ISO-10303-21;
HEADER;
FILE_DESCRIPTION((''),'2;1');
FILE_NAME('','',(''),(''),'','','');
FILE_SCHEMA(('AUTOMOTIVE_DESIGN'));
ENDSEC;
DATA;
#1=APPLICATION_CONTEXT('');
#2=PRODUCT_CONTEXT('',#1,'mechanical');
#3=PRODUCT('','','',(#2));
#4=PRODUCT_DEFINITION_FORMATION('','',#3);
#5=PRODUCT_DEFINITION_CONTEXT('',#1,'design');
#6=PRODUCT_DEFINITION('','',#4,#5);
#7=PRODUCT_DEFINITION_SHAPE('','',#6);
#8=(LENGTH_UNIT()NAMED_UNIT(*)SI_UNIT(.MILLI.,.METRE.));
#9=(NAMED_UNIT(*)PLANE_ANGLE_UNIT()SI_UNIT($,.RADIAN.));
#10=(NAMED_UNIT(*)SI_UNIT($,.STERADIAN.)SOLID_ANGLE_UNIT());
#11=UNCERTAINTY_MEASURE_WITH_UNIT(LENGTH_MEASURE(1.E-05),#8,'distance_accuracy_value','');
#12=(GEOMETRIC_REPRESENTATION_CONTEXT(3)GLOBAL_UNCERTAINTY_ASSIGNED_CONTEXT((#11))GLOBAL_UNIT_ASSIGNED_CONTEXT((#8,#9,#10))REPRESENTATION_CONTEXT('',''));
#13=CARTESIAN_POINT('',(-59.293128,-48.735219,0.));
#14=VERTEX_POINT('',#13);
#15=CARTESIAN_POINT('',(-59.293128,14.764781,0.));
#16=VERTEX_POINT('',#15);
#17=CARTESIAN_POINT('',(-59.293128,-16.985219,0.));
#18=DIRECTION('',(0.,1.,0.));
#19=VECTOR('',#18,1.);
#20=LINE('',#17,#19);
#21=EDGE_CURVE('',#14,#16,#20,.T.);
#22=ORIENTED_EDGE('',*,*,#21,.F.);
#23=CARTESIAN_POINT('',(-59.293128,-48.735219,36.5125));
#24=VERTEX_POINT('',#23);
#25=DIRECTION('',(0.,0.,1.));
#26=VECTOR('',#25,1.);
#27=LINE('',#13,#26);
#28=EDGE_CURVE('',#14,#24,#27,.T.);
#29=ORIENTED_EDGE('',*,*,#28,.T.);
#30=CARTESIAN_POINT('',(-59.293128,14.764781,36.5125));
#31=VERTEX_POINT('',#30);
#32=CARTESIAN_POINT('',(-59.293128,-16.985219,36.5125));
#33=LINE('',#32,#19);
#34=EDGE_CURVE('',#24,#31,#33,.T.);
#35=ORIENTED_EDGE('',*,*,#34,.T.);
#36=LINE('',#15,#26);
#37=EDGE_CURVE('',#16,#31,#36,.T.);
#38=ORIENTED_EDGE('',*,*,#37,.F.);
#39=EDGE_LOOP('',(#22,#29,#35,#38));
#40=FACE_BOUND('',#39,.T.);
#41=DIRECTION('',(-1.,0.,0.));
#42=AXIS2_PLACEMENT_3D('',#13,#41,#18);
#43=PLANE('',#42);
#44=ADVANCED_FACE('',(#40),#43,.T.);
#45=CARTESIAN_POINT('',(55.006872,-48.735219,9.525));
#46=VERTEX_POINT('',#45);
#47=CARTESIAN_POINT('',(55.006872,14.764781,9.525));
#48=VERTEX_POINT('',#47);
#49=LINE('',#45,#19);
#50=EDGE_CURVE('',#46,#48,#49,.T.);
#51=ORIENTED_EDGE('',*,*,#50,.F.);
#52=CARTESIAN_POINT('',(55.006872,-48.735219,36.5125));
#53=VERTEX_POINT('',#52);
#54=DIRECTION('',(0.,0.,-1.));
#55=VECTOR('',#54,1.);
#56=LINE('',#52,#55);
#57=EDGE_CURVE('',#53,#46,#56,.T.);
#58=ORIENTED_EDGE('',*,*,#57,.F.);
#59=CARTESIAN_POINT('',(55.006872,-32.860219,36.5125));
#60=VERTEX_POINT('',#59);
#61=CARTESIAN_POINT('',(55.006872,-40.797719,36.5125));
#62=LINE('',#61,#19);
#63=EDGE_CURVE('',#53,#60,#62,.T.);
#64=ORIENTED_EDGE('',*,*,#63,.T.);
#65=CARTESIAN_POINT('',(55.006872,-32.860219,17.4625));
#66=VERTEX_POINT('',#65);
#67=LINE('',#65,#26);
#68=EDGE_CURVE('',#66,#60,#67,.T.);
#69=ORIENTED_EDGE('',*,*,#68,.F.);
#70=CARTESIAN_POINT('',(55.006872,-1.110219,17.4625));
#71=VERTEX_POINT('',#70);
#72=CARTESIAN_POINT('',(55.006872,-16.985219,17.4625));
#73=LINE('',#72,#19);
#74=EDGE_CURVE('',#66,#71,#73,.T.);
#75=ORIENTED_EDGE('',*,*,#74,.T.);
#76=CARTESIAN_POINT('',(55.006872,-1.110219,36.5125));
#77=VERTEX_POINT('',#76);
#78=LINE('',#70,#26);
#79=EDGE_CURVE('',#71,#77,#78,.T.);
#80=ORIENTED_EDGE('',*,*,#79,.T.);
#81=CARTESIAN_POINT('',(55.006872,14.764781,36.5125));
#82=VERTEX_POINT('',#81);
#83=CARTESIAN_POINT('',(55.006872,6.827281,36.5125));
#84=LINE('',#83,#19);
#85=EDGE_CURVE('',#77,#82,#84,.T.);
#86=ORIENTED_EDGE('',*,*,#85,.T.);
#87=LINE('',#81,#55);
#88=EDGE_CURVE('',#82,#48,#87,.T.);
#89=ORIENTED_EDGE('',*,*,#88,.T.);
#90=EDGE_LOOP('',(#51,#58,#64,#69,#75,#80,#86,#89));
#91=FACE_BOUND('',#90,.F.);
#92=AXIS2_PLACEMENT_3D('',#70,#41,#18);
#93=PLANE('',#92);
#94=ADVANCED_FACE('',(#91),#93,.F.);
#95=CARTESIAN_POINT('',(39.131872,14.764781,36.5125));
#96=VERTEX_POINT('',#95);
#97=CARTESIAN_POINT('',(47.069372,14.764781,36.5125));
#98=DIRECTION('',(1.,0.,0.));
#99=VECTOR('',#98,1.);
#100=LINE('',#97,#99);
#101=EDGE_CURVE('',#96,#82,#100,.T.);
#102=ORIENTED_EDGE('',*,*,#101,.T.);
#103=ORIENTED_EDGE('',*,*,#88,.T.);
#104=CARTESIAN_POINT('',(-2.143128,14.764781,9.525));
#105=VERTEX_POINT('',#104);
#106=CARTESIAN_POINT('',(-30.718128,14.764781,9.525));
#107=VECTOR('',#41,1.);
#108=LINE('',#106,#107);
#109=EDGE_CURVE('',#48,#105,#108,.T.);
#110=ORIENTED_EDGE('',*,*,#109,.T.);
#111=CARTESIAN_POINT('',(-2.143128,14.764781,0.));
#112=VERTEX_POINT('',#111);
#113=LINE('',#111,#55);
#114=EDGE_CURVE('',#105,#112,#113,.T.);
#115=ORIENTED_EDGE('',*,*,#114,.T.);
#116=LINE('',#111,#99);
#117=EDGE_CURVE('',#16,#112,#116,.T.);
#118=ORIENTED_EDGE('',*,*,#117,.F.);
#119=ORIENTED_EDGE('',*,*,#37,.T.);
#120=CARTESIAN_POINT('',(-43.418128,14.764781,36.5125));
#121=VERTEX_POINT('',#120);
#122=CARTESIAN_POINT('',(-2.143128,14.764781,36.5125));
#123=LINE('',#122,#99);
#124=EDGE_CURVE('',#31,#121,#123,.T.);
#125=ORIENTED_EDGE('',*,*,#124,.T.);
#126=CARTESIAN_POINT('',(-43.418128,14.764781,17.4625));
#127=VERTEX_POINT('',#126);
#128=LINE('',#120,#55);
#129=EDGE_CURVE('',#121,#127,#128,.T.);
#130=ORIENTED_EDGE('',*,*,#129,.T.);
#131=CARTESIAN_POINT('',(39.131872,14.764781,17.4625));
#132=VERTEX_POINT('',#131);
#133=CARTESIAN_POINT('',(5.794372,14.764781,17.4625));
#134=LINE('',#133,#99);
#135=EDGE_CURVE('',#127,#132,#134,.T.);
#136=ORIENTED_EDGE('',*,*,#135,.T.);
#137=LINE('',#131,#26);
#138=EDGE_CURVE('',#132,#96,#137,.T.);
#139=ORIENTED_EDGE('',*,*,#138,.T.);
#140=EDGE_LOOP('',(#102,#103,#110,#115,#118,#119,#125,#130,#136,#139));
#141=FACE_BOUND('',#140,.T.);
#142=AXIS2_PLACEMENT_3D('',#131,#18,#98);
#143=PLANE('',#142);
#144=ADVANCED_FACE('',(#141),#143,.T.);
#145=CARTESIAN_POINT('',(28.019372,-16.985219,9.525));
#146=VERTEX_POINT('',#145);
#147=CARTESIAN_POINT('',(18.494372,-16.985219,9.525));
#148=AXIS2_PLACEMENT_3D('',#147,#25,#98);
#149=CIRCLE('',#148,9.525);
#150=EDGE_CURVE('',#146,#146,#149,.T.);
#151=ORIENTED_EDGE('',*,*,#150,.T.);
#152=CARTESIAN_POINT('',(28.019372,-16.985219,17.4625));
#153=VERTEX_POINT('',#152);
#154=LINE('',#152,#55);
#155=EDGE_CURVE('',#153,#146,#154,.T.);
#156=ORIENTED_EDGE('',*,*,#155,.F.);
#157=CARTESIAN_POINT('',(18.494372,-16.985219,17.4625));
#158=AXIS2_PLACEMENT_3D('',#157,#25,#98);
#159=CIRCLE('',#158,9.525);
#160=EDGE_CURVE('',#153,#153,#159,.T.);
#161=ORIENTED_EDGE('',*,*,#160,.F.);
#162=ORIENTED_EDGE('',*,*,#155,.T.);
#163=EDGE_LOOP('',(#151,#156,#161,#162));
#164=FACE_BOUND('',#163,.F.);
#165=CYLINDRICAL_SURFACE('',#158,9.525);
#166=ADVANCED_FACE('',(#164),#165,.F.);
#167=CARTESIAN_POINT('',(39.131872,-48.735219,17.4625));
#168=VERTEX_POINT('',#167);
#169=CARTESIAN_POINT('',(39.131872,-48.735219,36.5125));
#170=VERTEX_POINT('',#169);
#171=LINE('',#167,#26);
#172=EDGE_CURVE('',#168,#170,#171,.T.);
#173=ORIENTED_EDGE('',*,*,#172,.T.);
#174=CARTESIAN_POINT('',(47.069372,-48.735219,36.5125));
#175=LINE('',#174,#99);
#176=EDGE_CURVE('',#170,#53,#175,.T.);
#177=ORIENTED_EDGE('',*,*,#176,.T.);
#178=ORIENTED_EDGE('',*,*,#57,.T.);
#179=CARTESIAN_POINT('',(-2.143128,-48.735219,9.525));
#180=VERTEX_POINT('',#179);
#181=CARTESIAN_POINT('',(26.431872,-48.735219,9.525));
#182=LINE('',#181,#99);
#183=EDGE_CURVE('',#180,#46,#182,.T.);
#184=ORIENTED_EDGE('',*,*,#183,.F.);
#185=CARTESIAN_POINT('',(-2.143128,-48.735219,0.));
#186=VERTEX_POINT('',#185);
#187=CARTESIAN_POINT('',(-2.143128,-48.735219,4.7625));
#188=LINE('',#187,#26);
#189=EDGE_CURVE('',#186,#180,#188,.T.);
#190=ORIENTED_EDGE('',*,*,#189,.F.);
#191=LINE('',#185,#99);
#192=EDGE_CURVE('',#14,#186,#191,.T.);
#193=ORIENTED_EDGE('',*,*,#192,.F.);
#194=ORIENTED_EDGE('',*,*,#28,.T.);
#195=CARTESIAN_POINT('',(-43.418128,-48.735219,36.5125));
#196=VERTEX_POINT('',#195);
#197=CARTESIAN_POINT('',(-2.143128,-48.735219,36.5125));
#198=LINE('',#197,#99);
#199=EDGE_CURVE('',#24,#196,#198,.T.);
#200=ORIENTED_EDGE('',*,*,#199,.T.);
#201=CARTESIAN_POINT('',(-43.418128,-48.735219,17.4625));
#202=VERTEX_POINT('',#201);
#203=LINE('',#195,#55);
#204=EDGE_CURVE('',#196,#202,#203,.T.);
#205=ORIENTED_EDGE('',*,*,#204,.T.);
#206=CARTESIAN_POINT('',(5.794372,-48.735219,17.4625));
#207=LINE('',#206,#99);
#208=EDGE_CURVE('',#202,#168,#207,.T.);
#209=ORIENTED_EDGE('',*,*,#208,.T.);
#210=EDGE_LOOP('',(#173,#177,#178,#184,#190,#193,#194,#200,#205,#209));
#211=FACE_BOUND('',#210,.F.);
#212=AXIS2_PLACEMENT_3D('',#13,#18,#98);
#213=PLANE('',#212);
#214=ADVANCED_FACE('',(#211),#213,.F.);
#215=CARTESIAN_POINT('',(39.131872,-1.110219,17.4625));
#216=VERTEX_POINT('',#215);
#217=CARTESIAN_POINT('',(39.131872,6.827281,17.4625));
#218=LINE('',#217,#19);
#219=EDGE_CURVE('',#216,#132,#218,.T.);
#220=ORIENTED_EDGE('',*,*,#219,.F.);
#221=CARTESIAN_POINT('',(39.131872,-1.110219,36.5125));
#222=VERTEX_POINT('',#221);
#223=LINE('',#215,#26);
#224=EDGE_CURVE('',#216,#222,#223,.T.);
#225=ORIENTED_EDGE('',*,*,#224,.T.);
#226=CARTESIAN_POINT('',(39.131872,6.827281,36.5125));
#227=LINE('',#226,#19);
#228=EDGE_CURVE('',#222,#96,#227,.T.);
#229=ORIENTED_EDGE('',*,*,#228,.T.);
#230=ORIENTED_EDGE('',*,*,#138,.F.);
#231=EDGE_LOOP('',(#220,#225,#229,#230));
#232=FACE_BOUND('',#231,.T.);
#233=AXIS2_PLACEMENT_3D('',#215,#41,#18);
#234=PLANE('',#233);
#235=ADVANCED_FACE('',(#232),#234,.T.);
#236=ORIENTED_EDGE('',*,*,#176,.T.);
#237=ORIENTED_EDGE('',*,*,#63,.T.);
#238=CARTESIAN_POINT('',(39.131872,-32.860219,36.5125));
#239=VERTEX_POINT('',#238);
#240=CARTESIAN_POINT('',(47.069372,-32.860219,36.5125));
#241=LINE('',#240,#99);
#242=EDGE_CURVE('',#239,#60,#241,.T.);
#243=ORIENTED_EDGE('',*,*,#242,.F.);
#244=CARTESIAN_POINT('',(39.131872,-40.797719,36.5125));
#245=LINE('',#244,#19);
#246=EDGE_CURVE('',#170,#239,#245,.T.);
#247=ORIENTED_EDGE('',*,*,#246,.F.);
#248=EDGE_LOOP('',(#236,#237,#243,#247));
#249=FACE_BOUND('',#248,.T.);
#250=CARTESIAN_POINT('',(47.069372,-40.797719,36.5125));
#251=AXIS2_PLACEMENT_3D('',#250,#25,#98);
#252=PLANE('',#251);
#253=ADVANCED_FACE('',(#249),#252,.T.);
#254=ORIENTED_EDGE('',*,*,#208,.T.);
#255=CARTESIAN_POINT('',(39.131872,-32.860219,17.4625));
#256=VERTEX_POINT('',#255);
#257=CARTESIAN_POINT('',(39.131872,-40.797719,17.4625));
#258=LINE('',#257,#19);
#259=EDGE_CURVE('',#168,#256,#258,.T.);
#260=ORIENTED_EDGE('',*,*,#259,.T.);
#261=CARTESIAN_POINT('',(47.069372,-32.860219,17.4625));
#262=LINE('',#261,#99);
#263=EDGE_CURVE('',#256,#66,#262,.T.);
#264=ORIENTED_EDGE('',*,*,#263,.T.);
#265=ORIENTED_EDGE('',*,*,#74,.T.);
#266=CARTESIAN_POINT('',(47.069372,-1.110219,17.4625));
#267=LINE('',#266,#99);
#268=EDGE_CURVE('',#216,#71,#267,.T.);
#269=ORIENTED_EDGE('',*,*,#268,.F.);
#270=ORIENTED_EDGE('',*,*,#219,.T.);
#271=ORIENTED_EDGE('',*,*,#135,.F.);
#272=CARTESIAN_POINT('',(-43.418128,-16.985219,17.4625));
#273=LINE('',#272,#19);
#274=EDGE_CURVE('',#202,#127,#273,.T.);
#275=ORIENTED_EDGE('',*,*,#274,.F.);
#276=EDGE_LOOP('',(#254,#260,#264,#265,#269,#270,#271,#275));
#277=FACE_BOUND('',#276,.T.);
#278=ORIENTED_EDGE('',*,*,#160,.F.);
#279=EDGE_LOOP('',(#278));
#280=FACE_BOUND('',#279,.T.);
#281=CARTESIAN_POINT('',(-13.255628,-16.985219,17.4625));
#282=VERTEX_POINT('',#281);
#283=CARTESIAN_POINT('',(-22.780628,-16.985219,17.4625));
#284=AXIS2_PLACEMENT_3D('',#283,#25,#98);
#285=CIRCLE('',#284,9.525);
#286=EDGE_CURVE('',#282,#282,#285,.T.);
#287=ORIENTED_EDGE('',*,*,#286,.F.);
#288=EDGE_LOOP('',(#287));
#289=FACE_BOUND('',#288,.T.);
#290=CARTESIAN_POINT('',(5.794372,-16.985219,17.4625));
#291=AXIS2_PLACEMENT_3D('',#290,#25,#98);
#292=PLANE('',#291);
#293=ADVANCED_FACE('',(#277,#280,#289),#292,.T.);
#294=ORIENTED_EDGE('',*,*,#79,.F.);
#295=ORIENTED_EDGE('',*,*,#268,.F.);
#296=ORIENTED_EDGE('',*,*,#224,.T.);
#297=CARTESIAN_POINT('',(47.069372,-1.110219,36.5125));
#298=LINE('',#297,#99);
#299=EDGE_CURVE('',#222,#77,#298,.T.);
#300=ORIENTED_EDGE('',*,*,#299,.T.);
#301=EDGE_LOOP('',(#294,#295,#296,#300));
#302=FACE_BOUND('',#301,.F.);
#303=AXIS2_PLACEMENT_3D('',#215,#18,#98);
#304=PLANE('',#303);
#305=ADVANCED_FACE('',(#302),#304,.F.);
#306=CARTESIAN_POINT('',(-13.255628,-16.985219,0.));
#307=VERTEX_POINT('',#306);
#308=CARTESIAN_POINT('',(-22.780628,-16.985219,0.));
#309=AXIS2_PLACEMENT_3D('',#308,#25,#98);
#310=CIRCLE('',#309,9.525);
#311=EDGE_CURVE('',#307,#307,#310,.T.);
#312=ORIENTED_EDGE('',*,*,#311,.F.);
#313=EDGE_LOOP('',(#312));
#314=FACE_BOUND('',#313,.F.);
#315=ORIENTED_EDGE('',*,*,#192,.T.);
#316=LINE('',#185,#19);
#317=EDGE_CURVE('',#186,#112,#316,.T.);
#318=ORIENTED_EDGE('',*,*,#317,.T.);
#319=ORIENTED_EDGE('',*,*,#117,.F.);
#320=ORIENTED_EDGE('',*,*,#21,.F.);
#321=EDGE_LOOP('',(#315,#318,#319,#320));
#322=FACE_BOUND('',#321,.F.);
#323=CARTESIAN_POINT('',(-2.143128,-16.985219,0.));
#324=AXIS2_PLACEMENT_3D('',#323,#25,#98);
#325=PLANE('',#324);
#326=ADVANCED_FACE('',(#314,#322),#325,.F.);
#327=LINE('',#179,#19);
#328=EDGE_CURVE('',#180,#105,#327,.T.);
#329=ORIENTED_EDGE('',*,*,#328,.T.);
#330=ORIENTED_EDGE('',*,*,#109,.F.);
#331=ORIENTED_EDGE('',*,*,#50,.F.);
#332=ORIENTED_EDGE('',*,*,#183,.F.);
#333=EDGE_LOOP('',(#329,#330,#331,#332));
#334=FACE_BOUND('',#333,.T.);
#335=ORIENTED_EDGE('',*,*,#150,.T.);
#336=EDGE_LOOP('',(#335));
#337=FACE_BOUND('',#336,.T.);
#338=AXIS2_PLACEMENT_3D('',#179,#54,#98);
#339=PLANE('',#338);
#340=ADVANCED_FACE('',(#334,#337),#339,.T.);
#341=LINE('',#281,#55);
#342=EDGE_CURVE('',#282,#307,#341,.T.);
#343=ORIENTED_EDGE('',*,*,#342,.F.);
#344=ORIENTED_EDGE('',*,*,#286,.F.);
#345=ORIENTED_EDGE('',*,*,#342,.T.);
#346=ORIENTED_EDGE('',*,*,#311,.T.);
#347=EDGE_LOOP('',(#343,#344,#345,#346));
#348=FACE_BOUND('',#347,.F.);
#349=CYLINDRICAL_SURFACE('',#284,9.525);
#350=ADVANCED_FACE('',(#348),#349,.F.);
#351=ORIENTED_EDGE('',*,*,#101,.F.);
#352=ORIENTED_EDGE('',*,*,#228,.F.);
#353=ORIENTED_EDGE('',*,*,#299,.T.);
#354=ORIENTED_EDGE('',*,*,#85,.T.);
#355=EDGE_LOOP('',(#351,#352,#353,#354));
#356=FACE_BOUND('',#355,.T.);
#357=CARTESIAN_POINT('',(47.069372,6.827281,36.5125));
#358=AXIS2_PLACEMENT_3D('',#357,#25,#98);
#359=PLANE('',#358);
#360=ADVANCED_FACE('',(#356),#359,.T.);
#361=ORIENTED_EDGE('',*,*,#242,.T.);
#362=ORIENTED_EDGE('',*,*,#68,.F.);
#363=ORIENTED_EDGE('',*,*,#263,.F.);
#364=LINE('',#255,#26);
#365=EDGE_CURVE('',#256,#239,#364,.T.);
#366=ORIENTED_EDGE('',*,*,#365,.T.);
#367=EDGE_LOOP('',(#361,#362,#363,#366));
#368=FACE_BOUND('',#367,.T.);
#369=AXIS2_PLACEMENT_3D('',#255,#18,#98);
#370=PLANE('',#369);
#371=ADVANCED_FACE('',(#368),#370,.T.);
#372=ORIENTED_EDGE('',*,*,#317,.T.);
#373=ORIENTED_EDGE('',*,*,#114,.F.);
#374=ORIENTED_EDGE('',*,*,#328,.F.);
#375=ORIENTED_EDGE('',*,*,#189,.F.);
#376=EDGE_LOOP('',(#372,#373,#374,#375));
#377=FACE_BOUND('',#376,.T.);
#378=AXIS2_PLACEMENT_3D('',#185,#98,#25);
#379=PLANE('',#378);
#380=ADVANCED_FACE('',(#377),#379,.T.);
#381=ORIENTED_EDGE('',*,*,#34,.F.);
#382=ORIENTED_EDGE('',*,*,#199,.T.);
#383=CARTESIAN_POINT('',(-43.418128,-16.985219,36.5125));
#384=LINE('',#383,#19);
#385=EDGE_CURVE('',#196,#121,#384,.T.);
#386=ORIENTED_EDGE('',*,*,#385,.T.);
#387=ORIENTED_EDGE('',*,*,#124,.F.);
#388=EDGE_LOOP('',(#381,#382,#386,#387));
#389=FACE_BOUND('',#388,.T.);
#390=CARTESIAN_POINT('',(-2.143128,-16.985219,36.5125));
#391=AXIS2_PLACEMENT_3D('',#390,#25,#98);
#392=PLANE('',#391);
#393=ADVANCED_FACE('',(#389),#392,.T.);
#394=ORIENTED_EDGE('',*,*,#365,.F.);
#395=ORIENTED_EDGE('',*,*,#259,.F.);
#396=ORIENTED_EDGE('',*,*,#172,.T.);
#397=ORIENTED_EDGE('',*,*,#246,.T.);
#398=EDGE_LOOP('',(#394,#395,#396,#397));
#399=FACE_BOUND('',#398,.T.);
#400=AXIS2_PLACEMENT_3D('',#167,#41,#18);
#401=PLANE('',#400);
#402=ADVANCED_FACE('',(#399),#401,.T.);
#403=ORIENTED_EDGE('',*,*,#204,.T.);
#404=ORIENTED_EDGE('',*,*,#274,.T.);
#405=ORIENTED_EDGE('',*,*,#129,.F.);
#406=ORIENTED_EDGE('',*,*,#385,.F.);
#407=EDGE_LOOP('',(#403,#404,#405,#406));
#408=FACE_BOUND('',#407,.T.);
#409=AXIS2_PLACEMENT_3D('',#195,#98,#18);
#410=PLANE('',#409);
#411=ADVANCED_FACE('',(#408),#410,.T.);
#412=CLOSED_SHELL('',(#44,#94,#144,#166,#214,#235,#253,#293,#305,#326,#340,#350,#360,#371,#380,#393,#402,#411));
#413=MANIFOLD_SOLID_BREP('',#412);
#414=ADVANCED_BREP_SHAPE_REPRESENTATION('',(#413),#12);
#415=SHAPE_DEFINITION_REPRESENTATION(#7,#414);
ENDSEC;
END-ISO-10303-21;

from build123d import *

# Parameters (mm, degrees)
F0_W     = 114.3
F0_H     = 63.5
F1_DEPTH = 36.5125
F2_W     = 57.15
F2_H     = 9.525
F3_DEPTH = 63.501
F4_W     = 98.425
F4_H     = 63.5
F5_DEPTH = 19.05
F6_W     = 15.875
F6_H     = 15.875
F7_DEPTH = 19.05
F8_R     = 9.525
F9_DEPTH = 17.4635


with BuildPart() as f1:
    # F0 (on Top) → F1 (new body)
    with BuildSketch(Plane.XY):
        with Locations((-2.143128, -16.985219)):
            Rectangle(F0_W, F0_H)
    extrude(amount=F1_DEPTH)

    # F2 (on face) → F3 (cut, through all)
    with BuildSketch(Plane.XZ.offset(48.735219)):
        with Locations((26.431872, 4.7625)):
            Rectangle(F2_W, F2_H)
    extrude(amount=-F3_DEPTH, mode=Mode.SUBTRACT)

    # F4 (on face) → F5 (cut)
    with BuildSketch(Plane.XY.offset(36.5125)):
        with Locations((5.794372, -16.985219)):
            Rectangle(F4_W, F4_H)
    extrude(amount=-F5_DEPTH, mode=Mode.SUBTRACT)

    # F6 (on face) → F7 (join)
    with BuildSketch(Plane.XY.offset(17.4625)):
        with Locations((47.069372, 6.827281)):
            Rectangle(F6_W, F6_H)
        with Locations((47.069372, -40.797719)):
            Rectangle(F6_W, F6_H)
    extrude(amount=F7_DEPTH)

    # F8 (on face) → F9 (cut, through all)
    with BuildSketch(Plane.XY.offset(17.4625)):
        with Locations((-22.780628, -16.985219)):
            Circle(F8_R)
        with Locations((18.494372, -16.985219)):
            Circle(F8_R)
    extrude(amount=-F9_DEPTH, mode=Mode.SUBTRACT)


solid = f1.part
